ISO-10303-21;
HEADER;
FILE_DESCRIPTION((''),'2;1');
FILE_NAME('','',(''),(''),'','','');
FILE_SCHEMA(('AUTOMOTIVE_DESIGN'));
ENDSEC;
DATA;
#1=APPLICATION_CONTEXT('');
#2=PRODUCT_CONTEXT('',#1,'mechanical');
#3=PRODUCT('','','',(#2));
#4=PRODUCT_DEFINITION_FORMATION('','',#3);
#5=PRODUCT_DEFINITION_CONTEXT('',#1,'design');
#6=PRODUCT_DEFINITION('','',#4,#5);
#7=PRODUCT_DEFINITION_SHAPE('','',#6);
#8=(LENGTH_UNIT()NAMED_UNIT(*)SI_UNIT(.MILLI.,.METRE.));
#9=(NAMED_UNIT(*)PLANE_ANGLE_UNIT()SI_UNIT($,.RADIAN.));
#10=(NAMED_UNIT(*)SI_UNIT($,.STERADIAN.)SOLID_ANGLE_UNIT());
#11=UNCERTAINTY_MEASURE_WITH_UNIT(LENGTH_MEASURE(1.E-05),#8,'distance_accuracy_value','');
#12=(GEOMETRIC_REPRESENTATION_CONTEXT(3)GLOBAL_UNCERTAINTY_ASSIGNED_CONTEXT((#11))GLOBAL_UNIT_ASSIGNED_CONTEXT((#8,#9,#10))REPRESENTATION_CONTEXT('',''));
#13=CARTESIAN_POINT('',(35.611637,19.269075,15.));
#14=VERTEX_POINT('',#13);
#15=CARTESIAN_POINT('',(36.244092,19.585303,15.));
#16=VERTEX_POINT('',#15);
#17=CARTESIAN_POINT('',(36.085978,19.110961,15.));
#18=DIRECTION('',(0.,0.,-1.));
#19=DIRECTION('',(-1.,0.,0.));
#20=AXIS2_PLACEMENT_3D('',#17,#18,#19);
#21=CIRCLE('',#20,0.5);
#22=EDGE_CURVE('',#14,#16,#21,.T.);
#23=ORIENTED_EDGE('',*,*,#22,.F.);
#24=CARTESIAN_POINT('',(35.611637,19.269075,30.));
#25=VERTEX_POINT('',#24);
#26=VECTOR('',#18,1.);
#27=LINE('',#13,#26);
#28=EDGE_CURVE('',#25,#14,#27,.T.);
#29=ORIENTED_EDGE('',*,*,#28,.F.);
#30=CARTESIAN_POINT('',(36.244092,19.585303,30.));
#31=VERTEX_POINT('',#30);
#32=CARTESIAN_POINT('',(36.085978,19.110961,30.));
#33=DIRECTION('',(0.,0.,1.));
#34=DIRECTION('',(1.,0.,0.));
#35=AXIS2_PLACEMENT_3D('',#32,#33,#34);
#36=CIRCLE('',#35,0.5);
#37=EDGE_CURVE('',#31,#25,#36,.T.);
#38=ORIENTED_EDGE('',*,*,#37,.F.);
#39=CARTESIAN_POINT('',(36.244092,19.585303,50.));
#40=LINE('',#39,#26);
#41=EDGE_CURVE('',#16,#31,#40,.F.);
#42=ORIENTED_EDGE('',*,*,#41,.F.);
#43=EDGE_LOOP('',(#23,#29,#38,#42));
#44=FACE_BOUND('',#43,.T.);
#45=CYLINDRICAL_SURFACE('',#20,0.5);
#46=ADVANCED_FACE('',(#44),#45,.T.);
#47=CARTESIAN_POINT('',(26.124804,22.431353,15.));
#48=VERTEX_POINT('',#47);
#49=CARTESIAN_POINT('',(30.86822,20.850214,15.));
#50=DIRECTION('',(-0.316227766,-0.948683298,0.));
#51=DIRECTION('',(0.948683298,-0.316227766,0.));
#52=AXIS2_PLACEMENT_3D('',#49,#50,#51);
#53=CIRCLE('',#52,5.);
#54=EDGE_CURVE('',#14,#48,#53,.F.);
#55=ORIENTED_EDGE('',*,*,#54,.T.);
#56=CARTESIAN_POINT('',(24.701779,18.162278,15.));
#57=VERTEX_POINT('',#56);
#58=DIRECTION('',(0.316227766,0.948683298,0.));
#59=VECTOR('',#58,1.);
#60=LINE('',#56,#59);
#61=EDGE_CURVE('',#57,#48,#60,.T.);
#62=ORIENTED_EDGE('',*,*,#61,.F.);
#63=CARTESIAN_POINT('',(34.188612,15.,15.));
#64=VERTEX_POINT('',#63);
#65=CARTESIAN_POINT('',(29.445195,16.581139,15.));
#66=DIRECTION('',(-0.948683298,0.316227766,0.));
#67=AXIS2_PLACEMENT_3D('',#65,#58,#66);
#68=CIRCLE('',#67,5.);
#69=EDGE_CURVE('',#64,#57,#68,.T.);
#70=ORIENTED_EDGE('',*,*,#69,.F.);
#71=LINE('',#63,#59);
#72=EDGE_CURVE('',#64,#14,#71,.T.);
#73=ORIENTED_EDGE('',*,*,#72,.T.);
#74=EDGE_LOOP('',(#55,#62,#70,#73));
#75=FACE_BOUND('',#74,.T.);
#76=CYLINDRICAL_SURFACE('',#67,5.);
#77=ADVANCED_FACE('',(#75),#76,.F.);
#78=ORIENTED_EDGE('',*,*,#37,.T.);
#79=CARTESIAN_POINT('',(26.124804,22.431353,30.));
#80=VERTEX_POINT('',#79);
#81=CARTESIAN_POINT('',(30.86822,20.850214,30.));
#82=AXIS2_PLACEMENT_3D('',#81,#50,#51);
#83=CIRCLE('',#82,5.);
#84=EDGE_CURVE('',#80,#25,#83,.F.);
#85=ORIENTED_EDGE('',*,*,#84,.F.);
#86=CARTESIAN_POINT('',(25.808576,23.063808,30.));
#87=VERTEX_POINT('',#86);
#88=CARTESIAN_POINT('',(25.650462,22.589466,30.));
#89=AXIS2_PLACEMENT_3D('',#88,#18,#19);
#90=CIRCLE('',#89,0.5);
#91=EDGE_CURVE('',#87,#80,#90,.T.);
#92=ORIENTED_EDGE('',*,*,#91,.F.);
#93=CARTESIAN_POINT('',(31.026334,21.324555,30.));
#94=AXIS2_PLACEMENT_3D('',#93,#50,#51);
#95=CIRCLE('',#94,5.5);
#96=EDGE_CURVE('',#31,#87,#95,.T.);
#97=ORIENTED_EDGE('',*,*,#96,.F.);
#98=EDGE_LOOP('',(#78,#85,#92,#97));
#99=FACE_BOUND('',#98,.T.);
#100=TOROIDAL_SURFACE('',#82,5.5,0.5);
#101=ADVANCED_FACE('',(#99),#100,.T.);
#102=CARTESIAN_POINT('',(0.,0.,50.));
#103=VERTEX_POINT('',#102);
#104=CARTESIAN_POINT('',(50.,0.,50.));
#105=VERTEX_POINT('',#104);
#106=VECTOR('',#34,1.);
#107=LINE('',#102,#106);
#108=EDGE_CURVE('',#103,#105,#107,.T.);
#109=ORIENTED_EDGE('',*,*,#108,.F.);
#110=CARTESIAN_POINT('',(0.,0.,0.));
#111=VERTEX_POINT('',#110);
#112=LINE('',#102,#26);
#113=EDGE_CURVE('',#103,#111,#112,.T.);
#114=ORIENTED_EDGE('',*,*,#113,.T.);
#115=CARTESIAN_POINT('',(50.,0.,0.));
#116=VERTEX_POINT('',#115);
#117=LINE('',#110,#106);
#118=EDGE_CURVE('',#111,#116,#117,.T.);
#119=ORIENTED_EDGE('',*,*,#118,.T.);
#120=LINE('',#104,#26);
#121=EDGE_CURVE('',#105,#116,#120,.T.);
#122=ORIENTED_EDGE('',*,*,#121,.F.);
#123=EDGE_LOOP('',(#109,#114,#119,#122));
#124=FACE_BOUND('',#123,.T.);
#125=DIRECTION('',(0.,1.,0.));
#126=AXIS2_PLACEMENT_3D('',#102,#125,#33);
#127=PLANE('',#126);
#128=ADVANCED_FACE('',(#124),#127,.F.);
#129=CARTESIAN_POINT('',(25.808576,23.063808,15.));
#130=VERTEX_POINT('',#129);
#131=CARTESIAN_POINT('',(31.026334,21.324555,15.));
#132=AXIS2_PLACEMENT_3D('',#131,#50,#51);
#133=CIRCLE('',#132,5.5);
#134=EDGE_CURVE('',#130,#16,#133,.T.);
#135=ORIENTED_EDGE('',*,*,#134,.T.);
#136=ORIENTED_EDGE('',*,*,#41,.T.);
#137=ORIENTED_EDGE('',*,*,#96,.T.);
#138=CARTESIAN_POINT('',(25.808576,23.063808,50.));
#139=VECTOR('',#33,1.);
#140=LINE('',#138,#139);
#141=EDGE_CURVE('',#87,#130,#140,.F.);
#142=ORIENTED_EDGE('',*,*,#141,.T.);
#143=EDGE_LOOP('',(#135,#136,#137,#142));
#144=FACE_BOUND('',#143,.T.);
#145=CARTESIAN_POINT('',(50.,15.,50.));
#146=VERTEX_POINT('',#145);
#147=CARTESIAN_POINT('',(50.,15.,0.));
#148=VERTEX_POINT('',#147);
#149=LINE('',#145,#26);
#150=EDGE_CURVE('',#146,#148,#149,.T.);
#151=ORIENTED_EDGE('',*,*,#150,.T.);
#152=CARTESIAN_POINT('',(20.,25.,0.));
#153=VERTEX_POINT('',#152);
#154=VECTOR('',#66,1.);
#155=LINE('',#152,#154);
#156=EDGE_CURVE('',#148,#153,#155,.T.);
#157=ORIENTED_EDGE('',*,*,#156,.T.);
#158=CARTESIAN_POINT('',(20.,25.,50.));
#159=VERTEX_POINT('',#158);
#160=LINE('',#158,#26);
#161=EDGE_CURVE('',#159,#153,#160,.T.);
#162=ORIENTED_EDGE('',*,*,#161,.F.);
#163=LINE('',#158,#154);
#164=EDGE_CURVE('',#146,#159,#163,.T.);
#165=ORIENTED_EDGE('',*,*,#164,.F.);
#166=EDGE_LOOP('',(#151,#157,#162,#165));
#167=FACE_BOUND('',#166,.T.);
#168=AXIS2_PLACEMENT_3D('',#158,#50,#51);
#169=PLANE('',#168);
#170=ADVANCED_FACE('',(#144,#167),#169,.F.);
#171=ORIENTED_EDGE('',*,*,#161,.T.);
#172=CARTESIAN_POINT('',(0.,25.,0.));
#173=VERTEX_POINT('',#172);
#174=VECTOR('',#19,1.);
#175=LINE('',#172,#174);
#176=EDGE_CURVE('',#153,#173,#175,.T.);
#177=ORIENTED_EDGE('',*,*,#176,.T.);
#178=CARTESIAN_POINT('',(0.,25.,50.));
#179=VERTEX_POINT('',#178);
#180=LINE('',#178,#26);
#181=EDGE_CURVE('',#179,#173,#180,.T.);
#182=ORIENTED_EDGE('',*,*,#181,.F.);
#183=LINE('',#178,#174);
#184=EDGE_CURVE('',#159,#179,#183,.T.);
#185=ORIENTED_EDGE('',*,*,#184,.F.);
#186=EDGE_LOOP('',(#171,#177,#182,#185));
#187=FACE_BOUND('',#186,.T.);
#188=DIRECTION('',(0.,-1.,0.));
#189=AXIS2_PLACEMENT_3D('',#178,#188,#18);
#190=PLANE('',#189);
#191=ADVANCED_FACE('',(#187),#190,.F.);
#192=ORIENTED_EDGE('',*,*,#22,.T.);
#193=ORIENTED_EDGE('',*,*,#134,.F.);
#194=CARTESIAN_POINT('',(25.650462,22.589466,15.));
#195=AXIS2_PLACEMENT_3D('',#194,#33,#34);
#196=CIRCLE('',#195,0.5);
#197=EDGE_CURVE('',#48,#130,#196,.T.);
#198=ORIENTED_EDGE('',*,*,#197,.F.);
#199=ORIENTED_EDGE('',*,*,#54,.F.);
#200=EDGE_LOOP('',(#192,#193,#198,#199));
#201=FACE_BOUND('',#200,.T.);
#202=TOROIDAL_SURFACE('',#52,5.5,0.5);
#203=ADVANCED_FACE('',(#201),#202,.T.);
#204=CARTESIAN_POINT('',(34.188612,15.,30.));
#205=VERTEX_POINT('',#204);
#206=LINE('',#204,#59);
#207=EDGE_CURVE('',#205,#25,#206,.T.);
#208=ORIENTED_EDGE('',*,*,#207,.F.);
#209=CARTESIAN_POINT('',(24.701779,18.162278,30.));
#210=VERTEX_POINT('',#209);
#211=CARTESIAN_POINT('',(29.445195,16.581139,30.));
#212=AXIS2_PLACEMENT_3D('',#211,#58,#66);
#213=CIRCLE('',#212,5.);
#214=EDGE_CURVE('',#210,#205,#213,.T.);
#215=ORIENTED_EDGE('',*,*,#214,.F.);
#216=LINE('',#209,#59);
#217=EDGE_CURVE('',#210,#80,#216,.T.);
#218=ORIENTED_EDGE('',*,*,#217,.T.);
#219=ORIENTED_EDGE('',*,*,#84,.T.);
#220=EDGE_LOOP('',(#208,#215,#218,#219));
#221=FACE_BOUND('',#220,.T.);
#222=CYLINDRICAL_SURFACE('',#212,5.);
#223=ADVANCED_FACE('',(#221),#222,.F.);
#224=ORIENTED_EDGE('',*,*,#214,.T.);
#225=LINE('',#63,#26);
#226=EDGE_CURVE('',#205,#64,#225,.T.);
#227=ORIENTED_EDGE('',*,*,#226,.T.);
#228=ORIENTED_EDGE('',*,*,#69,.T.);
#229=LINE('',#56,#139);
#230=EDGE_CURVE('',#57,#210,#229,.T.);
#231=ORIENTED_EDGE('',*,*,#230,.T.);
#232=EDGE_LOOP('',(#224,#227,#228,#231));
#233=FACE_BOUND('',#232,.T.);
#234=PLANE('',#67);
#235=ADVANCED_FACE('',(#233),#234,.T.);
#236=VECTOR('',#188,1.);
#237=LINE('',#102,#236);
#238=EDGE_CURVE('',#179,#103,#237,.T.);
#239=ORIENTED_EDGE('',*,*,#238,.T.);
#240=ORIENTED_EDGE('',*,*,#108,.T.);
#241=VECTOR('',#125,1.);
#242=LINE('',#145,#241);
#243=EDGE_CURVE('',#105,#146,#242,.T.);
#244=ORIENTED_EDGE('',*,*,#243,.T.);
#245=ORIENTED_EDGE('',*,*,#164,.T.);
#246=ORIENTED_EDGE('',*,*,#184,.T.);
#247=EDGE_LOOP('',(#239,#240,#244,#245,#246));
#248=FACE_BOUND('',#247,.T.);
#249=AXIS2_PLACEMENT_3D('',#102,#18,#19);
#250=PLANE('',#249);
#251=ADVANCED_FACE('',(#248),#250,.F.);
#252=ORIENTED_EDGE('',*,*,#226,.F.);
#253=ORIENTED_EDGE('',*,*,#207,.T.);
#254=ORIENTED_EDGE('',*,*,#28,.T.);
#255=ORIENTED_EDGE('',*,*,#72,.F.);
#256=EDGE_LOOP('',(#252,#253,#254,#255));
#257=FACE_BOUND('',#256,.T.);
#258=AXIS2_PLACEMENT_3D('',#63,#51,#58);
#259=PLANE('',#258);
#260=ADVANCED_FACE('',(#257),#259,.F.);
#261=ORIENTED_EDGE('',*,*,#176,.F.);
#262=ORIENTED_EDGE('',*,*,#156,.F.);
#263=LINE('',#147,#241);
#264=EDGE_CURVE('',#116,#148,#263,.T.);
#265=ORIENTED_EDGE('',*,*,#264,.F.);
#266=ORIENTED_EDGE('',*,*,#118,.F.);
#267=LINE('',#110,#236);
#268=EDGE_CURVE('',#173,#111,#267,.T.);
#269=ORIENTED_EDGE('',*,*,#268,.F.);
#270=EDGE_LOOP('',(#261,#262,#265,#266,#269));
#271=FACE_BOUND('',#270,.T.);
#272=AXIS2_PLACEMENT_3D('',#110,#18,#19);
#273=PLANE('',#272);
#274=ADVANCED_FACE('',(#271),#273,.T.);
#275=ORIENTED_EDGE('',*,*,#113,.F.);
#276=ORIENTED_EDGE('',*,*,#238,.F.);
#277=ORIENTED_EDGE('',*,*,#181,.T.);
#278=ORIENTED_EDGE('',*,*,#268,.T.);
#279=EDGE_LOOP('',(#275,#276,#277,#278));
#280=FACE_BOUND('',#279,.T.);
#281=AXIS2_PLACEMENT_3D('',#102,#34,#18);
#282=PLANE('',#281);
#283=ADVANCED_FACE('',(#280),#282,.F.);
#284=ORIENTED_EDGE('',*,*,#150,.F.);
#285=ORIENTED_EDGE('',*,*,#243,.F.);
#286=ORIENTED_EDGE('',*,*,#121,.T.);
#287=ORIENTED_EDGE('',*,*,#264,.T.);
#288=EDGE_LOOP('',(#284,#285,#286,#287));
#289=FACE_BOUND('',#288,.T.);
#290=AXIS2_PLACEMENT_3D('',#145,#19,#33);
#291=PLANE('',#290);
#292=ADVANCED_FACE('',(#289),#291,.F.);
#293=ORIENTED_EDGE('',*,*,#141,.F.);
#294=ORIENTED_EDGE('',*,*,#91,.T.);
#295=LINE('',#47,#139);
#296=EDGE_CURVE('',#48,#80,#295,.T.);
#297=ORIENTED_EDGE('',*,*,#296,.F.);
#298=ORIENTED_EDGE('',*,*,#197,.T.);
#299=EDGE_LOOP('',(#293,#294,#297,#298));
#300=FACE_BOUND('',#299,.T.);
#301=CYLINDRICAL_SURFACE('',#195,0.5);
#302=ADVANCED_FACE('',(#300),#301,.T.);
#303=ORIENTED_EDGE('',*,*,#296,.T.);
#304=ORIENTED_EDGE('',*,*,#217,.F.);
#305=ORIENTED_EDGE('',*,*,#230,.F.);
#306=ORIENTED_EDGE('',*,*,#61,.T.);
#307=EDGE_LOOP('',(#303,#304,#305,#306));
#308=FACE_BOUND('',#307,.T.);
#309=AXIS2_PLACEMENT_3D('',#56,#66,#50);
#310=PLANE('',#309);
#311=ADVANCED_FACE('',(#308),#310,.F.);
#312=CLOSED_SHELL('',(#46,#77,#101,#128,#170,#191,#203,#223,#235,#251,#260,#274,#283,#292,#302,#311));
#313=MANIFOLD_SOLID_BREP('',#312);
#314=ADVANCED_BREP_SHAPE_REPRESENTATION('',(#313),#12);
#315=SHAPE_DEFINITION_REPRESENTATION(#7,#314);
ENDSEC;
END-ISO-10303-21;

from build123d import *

# Parameters (mm, degrees)
BOSS_EXTRUDE2_DEPTH = 50
CUT_EXTRUDE2_DEPTH  = 5
FILLET1_R           = 0.5


with BuildPart() as part:
    # Sketch1 → Boss-Extrude2 (new body)
    with BuildSketch(Plane.XY):
        Polygon((0, 0), (0, 25), (20, 25), (50, 15), (50, 0), align=None)
    extrude(amount=BOSS_EXTRUDE2_DEPTH)

    # Sketch3 → Cut-Extrude2 (cut)
    with BuildSketch(Plane(origin=(9.5, 28.5, 0), x_dir=(0.948683298, -0.316227766, 0), z_dir=(0.316227766, 0.948683298, 0))):
        with BuildLine():
            Line((17.690748412, -15), (17.690748412, -30))
            ThreePointArc((17.690748412, -30), (22.690748412, -35), (27.690748412, -30))
            Line((27.690748412, -30), (27.690748412, -15))
            ThreePointArc((27.690748412, -15), (22.690748412, -10), (17.690748412, -15))
        make_face()
    extrude(amount=-CUT_EXTRUDE2_DEPTH, mode=Mode.SUBTRACT)

    # Fillet1
    fillet1_edges = [part.edges().sort_by_distance(p)[0] for p in [
        (31.026334039, 21.32455532, 10),
        (26.282917549, 22.90569415, 22.5),
        (31.026334039, 21.32455532, 35),
        (35.769750529, 19.74341649, 22.5),
    ]]
    fillet(fillet1_edges, radius=FILLET1_R)


solid = part.part
